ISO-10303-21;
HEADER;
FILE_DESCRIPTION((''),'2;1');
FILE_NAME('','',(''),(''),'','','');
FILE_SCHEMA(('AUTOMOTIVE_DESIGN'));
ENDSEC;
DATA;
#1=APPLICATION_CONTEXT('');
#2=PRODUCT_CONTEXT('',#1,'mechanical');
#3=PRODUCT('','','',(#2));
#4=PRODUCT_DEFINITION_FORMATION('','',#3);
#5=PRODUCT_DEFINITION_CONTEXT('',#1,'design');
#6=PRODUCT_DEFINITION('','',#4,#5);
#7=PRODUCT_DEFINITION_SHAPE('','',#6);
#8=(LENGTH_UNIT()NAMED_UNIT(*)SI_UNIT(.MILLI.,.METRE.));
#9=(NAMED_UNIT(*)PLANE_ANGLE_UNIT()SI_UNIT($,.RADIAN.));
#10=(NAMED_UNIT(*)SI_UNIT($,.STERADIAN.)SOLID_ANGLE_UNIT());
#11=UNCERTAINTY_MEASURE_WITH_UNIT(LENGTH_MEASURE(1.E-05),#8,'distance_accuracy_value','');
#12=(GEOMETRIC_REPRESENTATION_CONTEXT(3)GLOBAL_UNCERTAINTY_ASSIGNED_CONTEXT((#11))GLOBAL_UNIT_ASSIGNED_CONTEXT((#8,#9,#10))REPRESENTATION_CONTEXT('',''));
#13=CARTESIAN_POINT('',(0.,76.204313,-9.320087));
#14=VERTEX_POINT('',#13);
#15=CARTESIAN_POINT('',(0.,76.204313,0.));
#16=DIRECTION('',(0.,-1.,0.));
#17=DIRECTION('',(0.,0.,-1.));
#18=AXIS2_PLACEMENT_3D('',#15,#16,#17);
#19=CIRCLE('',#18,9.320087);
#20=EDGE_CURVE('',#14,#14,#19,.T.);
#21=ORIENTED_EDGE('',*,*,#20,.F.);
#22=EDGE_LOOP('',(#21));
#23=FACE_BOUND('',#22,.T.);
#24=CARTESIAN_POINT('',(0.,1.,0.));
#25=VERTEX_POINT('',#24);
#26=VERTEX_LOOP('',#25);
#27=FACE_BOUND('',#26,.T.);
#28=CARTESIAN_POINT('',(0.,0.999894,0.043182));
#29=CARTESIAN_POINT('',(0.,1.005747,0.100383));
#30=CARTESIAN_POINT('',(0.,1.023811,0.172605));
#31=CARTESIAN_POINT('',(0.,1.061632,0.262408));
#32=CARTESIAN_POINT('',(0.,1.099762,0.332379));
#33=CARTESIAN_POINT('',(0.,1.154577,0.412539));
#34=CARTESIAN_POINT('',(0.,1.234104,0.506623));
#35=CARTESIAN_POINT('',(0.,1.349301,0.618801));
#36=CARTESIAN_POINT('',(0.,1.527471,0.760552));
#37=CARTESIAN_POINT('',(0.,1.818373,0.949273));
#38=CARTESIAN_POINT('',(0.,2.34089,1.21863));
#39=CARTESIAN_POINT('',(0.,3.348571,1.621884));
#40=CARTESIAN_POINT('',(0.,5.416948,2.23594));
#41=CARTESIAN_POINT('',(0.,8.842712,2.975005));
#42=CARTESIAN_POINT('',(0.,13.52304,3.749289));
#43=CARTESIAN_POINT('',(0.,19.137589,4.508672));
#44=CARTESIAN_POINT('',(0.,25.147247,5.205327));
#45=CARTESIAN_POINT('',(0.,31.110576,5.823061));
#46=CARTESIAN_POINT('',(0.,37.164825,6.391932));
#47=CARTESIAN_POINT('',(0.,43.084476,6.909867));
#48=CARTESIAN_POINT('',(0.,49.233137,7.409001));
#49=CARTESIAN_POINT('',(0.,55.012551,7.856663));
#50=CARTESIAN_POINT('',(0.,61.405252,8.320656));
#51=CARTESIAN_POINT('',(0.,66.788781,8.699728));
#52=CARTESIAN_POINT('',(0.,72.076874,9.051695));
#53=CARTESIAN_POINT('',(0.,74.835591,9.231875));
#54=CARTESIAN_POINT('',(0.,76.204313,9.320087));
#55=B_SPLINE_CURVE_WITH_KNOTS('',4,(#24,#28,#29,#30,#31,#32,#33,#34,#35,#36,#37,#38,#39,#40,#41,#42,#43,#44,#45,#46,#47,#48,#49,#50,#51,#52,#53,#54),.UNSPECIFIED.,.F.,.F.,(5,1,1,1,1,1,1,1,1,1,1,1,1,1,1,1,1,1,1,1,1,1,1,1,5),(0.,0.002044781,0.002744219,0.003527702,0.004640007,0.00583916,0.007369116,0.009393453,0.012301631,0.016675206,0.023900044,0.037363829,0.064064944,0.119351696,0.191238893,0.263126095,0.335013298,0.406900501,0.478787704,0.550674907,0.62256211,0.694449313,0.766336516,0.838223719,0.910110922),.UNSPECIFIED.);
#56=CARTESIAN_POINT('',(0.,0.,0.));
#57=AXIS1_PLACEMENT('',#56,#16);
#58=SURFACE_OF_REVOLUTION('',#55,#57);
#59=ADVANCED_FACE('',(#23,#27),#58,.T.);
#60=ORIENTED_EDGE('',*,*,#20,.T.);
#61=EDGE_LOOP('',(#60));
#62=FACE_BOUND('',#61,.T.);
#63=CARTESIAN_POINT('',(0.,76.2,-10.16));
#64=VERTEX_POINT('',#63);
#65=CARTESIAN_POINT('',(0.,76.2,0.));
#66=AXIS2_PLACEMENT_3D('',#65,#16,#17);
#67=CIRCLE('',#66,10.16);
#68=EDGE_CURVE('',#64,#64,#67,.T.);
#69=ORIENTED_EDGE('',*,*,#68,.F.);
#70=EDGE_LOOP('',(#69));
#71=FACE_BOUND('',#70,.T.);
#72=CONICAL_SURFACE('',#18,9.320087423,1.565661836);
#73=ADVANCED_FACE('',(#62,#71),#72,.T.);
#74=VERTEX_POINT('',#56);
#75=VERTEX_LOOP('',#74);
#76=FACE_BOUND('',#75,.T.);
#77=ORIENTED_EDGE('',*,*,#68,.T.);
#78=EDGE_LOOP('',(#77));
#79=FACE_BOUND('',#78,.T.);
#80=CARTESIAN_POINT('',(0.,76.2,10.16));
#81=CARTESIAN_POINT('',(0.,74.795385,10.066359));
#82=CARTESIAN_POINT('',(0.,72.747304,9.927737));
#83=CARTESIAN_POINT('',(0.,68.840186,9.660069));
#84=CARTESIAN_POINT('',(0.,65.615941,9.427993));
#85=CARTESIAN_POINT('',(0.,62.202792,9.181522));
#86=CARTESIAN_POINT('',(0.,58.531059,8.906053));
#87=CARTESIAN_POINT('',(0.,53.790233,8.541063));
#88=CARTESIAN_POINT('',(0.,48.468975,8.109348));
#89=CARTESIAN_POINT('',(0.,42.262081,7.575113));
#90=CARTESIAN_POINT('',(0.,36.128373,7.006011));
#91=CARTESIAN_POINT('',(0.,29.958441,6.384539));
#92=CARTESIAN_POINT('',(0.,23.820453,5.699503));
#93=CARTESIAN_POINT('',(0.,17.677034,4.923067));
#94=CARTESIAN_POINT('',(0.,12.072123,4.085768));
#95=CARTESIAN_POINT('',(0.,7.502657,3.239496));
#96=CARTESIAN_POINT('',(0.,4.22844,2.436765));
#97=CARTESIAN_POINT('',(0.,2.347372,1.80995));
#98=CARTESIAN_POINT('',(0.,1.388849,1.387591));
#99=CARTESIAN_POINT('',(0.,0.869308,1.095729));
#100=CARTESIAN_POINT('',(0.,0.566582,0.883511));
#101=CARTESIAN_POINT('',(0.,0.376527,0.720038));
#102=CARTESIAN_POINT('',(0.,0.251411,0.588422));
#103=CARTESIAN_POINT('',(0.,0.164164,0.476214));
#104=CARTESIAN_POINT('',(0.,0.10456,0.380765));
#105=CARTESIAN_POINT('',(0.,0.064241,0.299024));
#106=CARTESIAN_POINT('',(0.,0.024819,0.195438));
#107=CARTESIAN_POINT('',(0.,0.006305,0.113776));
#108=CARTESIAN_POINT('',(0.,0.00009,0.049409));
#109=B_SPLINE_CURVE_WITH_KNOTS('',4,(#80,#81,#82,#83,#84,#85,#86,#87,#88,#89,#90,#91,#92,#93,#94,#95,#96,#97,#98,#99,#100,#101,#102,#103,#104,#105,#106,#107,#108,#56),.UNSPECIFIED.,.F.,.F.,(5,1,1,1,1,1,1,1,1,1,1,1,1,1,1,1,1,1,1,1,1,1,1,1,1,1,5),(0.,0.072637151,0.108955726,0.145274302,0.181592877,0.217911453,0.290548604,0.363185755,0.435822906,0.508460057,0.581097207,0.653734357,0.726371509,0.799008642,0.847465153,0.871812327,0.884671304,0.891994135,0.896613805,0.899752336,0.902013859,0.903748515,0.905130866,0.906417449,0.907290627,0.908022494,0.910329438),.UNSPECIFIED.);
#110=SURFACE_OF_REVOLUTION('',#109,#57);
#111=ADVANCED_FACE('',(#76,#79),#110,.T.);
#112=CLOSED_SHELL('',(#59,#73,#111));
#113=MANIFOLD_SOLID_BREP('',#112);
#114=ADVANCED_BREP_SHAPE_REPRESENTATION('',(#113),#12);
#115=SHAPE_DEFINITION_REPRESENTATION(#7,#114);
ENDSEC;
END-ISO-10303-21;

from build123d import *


with BuildPart() as part:
    # Sketch4 → Revolve2 (revolve)
    with BuildSketch(Plane(origin=(0, 0, 0), x_dir=(0, 0, -1), z_dir=(1, 0, 0)), mode=Mode.PRIVATE) as revolve2_sk:
        with BuildLine():
            Line((-10.16, 76.2), (-9.320087423, 76.204312562))
            add(Edge.make_bspline(
                [(0, 1), (-0.043182477, 0.999894151), (-0.100382547, 1.005746576), (-0.172604796, 1.023810771), (-0.262407907, 1.061631811), (-0.332378611, 1.099761705), (-0.412539248, 1.154576642), (-0.506623383, 1.23410446), (-0.618801294, 1.349300674), (-0.760552223, 1.527470646), (-0.949272976, 1.818373032), (-1.218630169, 2.340889719), (-1.621884256, 3.348571136), (-2.23594029, 5.416947816), (-2.975004634, 8.842712329), (-3.749288777, 13.523039805), (-4.508672166, 19.137588845), (-5.205327126, 25.147246955), (-5.823060924, 31.110576225), (-6.391931758, 37.164825466), (-6.909866933, 43.084476291), (-7.409001151, 49.233137067), (-7.85666255, 55.012551067), (-8.32065586, 61.405251541), (-8.69972768, 66.788780503), (-9.051694951, 72.076873718), (-9.231874731, 74.835591088), (-9.320087423, 76.204312562)],
                knots=[0, 0, 0, 0, 0, 0.002044781, 0.002744219, 0.003527702, 0.004640007, 0.00583916, 0.007369116, 0.009393453, 0.012301631, 0.016675206, 0.023900044, 0.037363829, 0.064064944, 0.119351696, 0.191238893, 0.263126095, 0.335013298, 0.406900501, 0.478787704, 0.550674907, 0.62256211, 0.694449313, 0.766336516, 0.838223719, 0.910110922, 0.910110922, 0.910110922, 0.910110922, 0.910110922], degree=4))
            Line((0, 1), (0, 0))
            add(Edge.make_bspline(
                [(0, 0), (-0.049409062, 9.0353e-05), (-0.113776475, 0.006304923), (-0.195438378, 0.024818992), (-0.29902372, 0.064240863), (-0.380764738, 0.104559629), (-0.476214071, 0.164164019), (-0.588422444, 0.251410524), (-0.720038284, 0.376526852), (-0.883511494, 0.566581743), (-1.095728657, 0.869307696), (-1.387591167, 1.388849257), (-1.80995045, 2.347372099), (-2.436765202, 4.228440344), (-3.239495872, 7.502656847), (-4.085767603, 12.072123297), (-4.923067432, 17.677034031), (-5.699503305, 23.820453496), (-6.384538875, 29.958441272), (-7.006010646, 36.12837274), (-7.575112766, 42.262080562), (-8.109347524, 48.468974871), (-8.541063252, 53.79023258), (-8.906053465, 58.531058978), (-9.181521749, 62.202791715), (-9.427992843, 65.615940516), (-9.6600692, 68.840186339), (-9.927737352, 72.747304031), (-10.066358977, 74.795384657), (-10.16, 76.2)],
                knots=[0, 0, 0, 0, 0, 0.002306944, 0.003038811, 0.003911988, 0.005198572, 0.006580923, 0.008315578, 0.010577102, 0.013715633, 0.018335303, 0.025658133, 0.038517111, 0.062864285, 0.111320796, 0.183957929, 0.256595081, 0.329232231, 0.401869381, 0.474506532, 0.547143683, 0.619780834, 0.692417985, 0.72873656, 0.765055136, 0.801373712, 0.837692287, 0.910329438, 0.910329438, 0.910329438, 0.910329438, 0.910329438], degree=4))
        make_face()
    revolve(revolve2_sk.sketch.rotate(Axis((0, 0, 0), (0, 1, 0)), 180), axis=Axis((0, 0, 0), (0, 1, 0)))


solid = part.part
